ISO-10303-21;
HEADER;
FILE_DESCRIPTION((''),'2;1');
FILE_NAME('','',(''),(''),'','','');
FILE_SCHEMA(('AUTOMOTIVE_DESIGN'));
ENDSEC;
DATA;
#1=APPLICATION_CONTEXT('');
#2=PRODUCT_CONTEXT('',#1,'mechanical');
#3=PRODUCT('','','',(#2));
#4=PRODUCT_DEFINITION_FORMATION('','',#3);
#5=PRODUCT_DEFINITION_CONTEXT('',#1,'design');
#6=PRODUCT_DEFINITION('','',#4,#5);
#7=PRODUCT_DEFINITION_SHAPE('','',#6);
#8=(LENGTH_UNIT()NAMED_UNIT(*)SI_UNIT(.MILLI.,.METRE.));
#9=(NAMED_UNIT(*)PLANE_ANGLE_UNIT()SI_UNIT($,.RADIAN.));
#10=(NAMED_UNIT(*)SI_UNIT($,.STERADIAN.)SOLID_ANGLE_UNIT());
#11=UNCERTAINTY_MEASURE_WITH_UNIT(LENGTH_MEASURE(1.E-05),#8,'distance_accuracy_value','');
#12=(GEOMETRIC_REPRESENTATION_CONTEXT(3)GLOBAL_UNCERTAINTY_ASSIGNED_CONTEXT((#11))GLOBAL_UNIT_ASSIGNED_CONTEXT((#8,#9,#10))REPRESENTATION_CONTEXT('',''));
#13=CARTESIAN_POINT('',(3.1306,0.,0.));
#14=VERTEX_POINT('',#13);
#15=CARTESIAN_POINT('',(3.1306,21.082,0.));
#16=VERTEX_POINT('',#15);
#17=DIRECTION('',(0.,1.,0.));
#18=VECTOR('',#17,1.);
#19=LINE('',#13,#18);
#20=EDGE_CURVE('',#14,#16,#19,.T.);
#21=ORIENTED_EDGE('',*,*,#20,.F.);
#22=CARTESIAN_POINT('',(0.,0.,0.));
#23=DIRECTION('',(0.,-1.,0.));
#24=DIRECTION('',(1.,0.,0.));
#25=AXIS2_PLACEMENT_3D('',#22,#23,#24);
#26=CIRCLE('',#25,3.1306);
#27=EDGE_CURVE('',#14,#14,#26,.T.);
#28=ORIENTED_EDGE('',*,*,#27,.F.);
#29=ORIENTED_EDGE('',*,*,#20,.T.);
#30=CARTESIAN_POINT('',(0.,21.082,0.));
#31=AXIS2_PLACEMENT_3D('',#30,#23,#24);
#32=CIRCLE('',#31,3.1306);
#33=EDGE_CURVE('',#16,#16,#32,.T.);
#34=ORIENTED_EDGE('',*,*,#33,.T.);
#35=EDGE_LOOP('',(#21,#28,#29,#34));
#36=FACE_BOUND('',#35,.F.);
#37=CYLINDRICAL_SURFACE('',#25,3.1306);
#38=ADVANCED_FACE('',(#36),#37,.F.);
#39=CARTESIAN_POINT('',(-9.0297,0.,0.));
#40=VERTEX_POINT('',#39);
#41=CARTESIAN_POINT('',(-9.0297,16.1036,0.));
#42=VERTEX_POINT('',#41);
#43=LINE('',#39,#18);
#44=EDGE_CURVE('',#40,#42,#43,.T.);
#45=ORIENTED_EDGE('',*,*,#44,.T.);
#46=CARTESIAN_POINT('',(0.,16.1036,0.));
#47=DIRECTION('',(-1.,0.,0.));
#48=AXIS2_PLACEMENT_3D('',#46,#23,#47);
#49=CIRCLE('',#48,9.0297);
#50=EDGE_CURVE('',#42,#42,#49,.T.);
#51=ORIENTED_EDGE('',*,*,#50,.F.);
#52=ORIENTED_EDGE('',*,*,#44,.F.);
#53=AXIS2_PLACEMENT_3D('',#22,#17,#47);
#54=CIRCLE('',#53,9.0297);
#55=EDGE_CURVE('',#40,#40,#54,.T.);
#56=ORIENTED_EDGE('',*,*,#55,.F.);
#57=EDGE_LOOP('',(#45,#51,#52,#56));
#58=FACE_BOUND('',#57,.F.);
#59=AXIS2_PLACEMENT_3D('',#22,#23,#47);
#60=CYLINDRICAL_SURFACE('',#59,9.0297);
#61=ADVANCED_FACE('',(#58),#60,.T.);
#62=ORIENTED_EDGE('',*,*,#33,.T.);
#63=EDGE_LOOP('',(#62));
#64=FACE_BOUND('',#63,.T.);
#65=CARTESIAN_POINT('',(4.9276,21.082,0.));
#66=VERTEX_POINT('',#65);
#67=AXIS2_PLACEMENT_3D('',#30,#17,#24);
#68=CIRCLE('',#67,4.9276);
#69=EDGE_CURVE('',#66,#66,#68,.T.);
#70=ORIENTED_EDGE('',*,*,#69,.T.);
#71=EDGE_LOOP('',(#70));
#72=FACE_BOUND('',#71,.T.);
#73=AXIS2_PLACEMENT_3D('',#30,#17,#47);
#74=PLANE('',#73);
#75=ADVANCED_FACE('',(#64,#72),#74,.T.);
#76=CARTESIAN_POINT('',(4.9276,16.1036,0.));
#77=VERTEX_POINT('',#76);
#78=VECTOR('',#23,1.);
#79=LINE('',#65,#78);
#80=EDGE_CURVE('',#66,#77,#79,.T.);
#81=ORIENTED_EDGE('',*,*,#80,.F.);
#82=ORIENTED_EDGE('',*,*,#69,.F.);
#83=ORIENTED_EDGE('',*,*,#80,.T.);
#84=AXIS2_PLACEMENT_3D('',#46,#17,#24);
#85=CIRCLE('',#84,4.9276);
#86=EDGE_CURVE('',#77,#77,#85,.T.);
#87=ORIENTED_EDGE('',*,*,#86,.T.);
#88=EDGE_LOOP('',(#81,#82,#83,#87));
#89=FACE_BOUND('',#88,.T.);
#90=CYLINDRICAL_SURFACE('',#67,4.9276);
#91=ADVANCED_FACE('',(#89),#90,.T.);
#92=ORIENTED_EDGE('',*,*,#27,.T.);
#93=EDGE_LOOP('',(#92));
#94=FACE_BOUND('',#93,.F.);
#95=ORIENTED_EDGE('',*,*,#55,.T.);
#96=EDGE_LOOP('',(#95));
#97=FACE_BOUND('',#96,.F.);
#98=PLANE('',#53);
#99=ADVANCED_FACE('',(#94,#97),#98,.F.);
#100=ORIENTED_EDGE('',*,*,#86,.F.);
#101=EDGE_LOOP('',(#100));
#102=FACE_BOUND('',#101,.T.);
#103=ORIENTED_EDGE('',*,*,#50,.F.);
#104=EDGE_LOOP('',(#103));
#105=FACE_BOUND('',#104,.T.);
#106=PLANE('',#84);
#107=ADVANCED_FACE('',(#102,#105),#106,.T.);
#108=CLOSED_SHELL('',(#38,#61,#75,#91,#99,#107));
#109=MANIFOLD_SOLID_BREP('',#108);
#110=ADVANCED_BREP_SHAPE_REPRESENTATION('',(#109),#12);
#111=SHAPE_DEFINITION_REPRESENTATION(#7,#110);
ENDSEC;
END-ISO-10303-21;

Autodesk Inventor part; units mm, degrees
ref_plane "YZ Plane" through (0, 0, 0) normal (1, 0, 0) x (0, 1, 0)
ref_plane "XZ Plane" through (0, 0, 0) normal (0, 1, 0) x (-1, 0, 0)
ref_plane "XY Plane" through (0, 0, 0) normal (0, 0, 1) x (1, 0, 0)
sketch "Sketch1" plane through (0, 0, 0) normal (0, 1, 0) x (-1, 0, 0)
  circle A0 centre (0, 0) radius 9.0297
  dimension "d0" = 18.0594
extrude "Extrusion1" add sketch "Sketch1" along normal blind 21.082
sketch "Sketch2" plane through (0, 21.082, 0) normal (0, 1, 0) x (1, 0, 0)
  circle A0 centre (0, 0) radius 4.9276
  circle A1 centre (0, 0) radius 9.0297
  dimension "d3" = 9.8552
  dimension "d4" = 18.0594
extrude "Extrusion2" cut sketch "Sketch2" against normal blind 4.9784
sketch "Sketch3" plane through (0, 0, 0) normal (0, -1, 0) x (1, 0, 0)
  circle A0 centre (0, 0) radius 3.1306
  dimension "d7" = 6.2611
extrude "Extrusion3" cut sketch "Sketch3" against normal blind 203.2
properties part number "Wire fitting End"
